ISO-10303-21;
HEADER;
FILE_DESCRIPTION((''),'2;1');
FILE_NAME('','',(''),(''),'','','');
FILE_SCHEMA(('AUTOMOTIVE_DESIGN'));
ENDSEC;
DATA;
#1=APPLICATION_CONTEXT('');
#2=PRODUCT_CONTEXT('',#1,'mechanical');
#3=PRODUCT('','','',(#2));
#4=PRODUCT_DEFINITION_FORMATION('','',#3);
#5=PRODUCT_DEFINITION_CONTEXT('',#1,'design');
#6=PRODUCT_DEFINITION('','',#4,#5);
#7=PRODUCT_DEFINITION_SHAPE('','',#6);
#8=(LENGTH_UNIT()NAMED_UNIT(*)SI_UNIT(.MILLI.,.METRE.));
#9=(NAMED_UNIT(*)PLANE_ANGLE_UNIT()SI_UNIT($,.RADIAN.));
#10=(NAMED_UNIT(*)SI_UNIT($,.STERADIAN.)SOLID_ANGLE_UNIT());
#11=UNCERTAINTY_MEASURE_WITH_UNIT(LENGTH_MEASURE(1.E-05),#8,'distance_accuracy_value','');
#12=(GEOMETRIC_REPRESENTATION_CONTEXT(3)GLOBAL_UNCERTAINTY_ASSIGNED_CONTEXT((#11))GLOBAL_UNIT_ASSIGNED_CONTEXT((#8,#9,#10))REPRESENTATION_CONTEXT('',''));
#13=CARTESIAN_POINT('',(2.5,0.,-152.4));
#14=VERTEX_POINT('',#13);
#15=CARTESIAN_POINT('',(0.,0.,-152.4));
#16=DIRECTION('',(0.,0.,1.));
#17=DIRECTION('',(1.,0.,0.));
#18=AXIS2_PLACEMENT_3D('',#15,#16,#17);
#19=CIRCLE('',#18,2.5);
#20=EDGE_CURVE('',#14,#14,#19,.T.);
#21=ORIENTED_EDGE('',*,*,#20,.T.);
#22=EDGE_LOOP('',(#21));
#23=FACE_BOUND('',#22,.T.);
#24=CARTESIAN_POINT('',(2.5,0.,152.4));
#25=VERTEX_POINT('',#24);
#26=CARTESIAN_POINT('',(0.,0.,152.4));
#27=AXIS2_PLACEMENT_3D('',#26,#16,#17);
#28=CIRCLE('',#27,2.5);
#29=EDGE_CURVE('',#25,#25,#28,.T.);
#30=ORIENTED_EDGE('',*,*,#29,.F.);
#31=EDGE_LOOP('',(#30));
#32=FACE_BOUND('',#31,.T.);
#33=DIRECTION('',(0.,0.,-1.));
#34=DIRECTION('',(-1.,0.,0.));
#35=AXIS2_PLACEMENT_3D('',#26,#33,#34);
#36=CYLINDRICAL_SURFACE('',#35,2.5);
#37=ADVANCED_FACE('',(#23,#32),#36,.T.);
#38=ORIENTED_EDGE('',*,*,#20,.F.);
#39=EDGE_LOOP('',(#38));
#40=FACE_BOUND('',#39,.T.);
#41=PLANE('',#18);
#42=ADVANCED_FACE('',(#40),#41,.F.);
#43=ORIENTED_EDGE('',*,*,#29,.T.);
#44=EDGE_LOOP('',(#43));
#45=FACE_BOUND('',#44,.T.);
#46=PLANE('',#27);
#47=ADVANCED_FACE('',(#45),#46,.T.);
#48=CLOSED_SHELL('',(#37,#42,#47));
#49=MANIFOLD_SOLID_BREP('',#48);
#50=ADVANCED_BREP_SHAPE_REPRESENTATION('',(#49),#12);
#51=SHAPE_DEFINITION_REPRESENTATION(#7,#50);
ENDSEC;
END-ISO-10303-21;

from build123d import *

# Parameters (mm, degrees)
SKETCH3_R                = 2.5
BOSS_EXTRUDE1_DEPTH      = 152.4
BOSS_EXTRUDE1_DEPTH_BACK = 152.4


with BuildPart() as part:
    # Sketch3 → Boss-Extrude1 (new body, two sides)
    with BuildSketch(Plane.XY) as boss_extrude1_sk:
        Circle(SKETCH3_R)
    extrude(amount=BOSS_EXTRUDE1_DEPTH)
    extrude(boss_extrude1_sk.sketch, amount=-BOSS_EXTRUDE1_DEPTH_BACK)


solid = part.part
